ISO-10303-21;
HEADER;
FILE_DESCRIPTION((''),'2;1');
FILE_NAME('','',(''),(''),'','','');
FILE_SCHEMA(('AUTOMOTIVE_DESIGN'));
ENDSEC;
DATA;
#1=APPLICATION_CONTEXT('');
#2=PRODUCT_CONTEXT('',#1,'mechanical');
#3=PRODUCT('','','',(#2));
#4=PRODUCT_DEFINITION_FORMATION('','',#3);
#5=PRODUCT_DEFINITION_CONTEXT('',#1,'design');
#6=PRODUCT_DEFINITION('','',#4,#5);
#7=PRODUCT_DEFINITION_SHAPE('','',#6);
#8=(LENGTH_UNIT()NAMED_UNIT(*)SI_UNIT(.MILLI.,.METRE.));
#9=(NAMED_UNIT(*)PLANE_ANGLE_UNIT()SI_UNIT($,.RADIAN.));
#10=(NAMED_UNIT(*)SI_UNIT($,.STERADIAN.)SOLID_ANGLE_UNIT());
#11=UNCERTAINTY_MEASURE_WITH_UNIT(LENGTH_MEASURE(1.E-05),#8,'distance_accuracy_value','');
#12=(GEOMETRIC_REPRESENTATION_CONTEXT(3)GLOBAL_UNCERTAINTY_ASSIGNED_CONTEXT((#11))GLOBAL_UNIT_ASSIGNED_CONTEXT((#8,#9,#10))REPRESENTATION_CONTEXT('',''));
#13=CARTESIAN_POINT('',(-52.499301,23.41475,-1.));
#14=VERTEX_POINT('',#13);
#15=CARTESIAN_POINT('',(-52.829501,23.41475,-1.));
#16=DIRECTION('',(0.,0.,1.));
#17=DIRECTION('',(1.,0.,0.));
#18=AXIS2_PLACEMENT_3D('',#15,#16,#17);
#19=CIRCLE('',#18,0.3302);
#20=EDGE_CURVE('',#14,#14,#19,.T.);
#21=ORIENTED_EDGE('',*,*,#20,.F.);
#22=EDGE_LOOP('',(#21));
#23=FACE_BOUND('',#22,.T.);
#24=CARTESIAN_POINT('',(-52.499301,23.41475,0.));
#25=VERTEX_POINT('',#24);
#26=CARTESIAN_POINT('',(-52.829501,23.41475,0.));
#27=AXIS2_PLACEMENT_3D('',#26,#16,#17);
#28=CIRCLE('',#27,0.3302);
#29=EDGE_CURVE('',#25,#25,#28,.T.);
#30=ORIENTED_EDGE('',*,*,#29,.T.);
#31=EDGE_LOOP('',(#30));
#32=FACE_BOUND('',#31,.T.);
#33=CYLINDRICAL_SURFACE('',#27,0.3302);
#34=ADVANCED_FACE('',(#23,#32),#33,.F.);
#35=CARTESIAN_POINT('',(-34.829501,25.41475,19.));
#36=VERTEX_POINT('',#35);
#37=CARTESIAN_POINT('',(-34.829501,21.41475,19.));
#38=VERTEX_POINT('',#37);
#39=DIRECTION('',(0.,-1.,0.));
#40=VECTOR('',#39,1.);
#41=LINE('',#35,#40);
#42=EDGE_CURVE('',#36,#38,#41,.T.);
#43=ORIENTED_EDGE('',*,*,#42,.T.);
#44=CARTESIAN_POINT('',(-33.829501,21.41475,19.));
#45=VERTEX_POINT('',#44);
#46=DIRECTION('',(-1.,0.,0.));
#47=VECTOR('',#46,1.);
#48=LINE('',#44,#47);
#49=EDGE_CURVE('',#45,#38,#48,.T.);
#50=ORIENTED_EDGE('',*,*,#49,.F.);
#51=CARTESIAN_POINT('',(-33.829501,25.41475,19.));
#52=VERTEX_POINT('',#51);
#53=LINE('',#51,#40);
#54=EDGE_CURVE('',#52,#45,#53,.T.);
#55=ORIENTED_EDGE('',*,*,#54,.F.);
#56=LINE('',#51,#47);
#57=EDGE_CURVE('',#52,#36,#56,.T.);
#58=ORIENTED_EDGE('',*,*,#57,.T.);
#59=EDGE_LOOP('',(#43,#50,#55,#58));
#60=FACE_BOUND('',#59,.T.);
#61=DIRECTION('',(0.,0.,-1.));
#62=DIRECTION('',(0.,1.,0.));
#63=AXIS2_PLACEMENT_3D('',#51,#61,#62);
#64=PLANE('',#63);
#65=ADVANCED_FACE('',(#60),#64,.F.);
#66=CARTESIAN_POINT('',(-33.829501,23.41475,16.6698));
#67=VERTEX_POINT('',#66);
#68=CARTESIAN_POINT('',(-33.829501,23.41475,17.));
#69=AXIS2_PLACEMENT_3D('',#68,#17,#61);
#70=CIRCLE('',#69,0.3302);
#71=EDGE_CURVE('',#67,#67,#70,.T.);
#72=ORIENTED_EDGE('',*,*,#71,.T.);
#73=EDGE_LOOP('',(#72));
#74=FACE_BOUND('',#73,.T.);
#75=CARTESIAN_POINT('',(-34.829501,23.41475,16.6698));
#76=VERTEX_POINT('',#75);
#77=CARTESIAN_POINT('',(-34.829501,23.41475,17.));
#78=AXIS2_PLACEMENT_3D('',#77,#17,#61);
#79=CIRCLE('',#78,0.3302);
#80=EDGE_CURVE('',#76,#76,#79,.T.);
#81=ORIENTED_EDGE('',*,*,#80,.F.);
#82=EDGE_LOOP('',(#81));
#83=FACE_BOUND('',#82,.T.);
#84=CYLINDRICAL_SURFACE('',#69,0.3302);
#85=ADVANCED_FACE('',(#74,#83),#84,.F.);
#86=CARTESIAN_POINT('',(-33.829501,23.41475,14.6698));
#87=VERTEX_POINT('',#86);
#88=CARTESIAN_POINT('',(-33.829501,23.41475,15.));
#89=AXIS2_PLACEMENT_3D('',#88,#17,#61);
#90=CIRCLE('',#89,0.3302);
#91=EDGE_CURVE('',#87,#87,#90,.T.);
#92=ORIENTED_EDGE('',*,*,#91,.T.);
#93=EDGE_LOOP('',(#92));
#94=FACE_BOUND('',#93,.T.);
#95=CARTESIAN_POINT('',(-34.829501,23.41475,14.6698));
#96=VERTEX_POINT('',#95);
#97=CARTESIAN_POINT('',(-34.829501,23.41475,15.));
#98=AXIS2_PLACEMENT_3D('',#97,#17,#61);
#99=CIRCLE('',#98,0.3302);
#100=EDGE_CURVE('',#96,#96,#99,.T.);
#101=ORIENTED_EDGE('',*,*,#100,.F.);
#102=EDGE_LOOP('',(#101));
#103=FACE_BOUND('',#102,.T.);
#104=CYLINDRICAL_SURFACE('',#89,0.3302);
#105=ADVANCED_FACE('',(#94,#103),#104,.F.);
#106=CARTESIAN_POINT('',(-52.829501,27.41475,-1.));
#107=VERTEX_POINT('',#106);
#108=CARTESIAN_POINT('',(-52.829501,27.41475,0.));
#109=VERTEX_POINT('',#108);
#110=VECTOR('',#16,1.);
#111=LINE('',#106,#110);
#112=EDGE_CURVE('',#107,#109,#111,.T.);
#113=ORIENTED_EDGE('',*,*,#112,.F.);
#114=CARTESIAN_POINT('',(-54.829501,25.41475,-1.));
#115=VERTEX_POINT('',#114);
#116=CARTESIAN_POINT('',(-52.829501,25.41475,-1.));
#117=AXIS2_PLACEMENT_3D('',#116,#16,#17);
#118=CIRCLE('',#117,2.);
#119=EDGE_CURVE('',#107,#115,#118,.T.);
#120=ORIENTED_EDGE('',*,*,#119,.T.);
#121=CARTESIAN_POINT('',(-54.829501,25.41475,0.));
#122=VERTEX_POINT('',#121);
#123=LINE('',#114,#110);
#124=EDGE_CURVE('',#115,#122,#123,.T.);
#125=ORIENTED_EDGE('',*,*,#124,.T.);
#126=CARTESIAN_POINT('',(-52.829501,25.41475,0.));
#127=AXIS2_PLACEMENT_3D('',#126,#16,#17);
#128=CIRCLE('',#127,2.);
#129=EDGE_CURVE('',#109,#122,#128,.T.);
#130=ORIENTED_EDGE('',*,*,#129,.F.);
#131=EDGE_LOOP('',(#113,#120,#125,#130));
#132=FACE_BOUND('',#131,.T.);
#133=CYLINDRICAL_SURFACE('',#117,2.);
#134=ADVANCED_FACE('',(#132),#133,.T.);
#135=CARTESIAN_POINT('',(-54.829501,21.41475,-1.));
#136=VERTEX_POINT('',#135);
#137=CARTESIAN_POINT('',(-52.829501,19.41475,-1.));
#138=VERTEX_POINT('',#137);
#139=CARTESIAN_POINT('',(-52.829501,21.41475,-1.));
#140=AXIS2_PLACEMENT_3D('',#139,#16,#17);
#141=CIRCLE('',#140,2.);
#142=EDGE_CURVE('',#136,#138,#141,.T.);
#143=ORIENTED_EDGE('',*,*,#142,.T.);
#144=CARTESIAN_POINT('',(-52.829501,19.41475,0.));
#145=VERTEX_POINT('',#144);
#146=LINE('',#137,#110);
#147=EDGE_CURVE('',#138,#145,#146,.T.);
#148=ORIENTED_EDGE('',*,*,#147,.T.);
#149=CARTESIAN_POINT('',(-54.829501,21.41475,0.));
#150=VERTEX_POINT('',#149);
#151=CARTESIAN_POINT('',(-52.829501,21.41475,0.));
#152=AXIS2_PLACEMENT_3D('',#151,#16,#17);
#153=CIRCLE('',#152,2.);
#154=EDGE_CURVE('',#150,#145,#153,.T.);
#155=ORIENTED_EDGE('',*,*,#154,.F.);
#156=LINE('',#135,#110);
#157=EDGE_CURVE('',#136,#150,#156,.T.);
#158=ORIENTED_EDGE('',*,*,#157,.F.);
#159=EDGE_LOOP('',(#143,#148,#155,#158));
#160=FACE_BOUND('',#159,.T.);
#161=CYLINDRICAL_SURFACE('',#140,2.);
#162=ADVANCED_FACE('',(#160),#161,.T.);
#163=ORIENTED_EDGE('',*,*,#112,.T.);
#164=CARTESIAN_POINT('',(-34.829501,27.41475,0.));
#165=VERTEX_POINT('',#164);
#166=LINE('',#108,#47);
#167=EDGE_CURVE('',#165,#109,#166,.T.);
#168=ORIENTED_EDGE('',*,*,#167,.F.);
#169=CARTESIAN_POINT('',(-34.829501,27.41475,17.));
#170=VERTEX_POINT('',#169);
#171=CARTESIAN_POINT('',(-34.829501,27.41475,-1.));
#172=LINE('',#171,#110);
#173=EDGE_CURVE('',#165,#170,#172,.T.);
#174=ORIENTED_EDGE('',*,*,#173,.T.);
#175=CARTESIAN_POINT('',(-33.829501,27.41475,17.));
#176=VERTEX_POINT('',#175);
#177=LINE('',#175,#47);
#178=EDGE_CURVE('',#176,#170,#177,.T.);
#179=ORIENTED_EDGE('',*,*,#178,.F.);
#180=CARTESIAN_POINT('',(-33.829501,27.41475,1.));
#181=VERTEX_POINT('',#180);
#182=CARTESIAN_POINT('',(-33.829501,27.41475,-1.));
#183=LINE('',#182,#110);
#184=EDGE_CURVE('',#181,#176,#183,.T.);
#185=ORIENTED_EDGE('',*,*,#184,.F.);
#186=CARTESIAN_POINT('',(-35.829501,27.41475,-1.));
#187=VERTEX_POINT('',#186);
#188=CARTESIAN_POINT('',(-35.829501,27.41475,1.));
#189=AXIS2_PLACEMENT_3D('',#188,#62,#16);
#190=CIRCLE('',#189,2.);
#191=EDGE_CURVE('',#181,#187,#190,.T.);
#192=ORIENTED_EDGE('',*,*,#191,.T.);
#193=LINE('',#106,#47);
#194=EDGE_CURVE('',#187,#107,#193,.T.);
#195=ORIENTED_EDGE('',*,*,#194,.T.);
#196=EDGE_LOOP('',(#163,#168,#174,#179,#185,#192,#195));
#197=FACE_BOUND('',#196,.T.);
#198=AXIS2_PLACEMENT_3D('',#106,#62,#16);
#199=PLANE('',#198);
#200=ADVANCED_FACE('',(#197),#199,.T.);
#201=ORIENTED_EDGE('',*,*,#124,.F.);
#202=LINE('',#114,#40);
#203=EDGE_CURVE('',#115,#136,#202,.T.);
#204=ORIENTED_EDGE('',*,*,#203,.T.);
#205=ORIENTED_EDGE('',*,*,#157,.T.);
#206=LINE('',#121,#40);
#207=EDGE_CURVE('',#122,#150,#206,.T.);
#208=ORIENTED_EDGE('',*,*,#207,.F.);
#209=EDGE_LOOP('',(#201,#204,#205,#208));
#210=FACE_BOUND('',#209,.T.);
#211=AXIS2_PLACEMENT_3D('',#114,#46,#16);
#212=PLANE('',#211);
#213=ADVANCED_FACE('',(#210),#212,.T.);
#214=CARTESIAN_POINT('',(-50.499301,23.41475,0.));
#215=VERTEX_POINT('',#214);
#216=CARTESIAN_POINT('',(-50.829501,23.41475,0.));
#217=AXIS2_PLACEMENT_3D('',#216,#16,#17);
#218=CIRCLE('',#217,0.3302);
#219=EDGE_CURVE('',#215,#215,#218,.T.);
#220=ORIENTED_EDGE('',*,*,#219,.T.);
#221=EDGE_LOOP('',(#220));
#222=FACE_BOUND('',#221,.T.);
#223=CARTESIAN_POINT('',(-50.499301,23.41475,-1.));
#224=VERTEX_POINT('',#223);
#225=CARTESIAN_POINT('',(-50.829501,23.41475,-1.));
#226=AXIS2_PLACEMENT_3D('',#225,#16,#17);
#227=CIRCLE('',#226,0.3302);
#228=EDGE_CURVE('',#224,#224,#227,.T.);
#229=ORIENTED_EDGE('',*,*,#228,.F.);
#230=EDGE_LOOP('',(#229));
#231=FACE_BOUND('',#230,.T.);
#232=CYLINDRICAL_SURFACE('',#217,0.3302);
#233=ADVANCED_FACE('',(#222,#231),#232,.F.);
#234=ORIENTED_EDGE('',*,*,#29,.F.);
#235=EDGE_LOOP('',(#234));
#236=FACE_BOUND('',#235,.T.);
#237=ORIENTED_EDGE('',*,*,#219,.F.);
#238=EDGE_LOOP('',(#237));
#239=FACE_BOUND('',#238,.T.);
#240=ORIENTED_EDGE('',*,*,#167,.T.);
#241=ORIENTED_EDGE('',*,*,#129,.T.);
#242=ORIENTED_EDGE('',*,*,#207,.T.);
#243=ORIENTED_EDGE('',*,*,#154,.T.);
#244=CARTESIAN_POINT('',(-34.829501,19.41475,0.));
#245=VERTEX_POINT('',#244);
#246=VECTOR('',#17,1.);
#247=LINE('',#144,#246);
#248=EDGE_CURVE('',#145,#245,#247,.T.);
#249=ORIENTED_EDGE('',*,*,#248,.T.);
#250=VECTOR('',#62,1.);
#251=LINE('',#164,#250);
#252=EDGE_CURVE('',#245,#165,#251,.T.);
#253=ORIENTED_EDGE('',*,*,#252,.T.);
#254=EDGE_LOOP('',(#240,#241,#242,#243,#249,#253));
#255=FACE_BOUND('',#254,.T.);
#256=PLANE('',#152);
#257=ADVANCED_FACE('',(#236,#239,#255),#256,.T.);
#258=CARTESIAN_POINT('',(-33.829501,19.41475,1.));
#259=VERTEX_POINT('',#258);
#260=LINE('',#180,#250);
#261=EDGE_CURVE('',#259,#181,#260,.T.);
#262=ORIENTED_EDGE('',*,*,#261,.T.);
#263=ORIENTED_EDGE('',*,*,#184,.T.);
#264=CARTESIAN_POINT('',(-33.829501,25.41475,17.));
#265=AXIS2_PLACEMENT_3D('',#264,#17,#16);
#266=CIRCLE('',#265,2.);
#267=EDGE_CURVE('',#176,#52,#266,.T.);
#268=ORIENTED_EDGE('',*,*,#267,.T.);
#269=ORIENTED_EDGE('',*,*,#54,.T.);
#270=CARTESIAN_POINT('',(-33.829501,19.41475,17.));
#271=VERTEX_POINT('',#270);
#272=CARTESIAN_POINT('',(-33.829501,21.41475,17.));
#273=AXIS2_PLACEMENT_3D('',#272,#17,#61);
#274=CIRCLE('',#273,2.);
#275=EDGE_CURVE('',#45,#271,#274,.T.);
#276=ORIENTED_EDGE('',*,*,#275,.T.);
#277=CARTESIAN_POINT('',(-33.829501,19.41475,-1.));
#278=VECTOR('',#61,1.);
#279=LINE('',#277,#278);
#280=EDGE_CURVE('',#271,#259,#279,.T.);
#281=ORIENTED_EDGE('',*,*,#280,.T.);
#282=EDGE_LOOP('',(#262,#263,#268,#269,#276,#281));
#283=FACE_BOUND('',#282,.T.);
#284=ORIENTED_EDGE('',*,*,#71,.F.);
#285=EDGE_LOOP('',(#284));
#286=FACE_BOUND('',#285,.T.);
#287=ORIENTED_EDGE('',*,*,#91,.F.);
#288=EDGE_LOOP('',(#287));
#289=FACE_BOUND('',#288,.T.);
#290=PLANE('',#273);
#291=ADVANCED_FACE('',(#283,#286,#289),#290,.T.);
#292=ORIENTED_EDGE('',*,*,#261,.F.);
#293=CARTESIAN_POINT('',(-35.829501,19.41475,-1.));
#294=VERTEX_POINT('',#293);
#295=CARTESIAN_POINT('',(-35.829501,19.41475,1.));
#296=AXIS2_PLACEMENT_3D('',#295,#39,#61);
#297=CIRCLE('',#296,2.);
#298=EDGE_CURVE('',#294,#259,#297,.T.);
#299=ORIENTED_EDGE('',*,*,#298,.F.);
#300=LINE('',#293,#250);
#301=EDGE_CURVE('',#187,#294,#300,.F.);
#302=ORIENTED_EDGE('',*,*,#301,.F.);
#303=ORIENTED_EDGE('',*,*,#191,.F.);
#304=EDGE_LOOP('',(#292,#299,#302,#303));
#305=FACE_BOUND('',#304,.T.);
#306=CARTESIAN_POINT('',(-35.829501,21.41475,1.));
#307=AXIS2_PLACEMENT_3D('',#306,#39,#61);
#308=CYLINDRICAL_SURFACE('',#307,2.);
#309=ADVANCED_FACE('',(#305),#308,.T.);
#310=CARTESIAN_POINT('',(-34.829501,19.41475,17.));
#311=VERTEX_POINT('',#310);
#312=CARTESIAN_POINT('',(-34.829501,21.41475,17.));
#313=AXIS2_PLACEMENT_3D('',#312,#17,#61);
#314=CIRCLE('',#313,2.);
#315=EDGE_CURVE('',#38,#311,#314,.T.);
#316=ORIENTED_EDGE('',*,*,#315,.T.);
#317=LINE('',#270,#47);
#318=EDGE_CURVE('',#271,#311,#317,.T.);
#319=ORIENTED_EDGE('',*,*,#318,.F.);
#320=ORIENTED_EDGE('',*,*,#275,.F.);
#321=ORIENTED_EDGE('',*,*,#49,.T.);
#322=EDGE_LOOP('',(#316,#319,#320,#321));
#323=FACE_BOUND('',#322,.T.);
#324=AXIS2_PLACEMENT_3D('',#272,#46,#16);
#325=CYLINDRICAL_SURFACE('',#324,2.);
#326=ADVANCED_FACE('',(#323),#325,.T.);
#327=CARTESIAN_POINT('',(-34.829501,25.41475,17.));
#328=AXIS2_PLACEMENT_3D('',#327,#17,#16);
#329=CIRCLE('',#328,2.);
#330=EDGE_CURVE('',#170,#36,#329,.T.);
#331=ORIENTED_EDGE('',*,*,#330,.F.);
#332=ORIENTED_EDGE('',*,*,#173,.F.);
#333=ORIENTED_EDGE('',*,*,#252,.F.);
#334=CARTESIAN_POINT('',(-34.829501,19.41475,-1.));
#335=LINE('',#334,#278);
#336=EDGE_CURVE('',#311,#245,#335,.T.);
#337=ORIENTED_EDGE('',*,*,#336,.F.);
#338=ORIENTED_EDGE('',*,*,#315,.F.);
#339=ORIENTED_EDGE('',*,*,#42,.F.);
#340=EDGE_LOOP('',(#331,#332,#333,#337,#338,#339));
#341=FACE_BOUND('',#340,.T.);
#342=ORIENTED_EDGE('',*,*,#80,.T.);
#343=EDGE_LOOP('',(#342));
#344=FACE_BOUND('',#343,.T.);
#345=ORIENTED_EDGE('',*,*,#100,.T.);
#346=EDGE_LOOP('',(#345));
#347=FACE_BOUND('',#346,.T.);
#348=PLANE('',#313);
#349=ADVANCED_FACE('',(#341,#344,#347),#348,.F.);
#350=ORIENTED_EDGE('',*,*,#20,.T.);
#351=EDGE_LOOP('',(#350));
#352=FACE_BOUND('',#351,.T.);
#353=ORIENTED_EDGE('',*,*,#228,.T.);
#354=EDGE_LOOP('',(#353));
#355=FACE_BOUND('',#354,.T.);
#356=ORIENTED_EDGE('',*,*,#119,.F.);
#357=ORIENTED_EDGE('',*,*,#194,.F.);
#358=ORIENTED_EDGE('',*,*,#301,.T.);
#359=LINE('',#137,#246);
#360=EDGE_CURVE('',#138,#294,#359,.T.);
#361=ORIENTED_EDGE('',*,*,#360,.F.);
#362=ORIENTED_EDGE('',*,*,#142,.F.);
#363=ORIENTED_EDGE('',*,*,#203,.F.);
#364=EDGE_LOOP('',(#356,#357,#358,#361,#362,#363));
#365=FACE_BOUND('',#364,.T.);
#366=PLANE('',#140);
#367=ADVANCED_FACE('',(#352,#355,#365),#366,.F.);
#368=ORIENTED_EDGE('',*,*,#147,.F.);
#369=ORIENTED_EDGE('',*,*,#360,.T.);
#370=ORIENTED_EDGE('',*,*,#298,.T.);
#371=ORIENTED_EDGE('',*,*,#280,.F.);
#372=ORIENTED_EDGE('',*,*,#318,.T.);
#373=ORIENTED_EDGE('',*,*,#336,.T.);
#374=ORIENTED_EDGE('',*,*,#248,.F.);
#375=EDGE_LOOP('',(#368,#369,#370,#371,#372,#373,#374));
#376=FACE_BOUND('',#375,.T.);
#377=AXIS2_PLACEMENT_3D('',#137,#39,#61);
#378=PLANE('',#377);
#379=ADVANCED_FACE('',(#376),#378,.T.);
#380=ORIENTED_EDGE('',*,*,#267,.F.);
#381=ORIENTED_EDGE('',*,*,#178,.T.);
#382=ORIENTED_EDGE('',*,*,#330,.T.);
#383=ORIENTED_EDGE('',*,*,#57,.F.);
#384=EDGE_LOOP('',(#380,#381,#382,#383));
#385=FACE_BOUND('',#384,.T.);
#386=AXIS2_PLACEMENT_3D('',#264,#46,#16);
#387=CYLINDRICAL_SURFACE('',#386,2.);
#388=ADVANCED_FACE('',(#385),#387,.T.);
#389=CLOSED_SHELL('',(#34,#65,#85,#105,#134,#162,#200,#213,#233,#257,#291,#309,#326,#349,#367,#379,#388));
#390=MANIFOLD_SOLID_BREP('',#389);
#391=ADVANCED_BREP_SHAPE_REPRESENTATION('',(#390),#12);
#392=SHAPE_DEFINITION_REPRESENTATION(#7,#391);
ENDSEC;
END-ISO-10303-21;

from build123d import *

# Parameters (mm, degrees)
EXTRUSION1_DEPTH   = 1
EXTRUSION3_DEPTH   = 1
D_GAGEMENT_00001_D = 0.6604
D_GAGEMENT_00002_D = 0.6604
D_GAGEMENT_00004_D = 0.6604
D_GAGEMENT_00005_D = 0.6604
CONG_2_R           = 2


with BuildPart() as part:
    # Esquisse1 → Extrusion1 (new body)
    with BuildSketch(Plane.XY):
        with BuildLine():
            Line((-52.829500905, 27.414750453), (-34.829500905, 27.414750453))
            Line((-34.829500905, 27.414750453), (-34.829500905, 19.414750453))
            Line((-34.829500905, 19.414750453), (-52.829500905, 19.414750453))
            ThreePointArc((-52.829500905, 19.414750453), (-54.243714467, 20.00053689), (-54.829500905, 21.414750453))
            Line((-54.829500905, 21.414750453), (-54.829500905, 25.414750453))
            ThreePointArc((-54.829500905, 25.414750453), (-54.243714467, 26.828964015), (-52.829500905, 27.414750453))
        make_face()
    extrude(amount=-EXTRUSION1_DEPTH)

    # Esquisse4 → Extrusion3 (add)
    with BuildSketch(Plane(origin=(-34.829500905, 0, 0), x_dir=(0, 0, -1), z_dir=(1, 0, 0))):
        with BuildLine():
            Line((1, 27.414750453), (-17, 27.414750453))
            ThreePointArc((-17, 27.414750453), (-18.414213562, 26.828964015), (-19, 25.414750453))
            Line((-19, 25.414750453), (-19, 21.414750453))
            ThreePointArc((-19, 21.414750453), (-18.414213562, 20.00053689), (-17, 19.414750453))
            Line((-17, 19.414750453), (1, 19.414750453))
            Line((1, 19.414750453), (1, 27.414750453))
        make_face()
    extrude(amount=EXTRUSION3_DEPTH)

    # Dégagement #00001 (through all)
    with Locations(Plane(origin=(-52.829500905, 23.414750453, 0), x_dir=(1, 0, 0), z_dir=(0, 0, 1))):
        with Locations((0, 0)):
            Hole(D_GAGEMENT_00001_D / 2)

    # Dégagement #00002 (through all)
    with Locations(Plane(origin=(-50.829500905, 23.414750453, 0), x_dir=(1, 0, 0), z_dir=(0, 0, 1))):
        with Locations((0, 0)):
            Hole(D_GAGEMENT_00002_D / 2)

    # Dégagement #00004 (through all)
    with Locations(Plane(origin=(-33.829500905, 23.414750453, 17), x_dir=(0, 0, 1), z_dir=(1, 0, 0))):
        with Locations((0, 0)):
            Hole(D_GAGEMENT_00004_D / 2)

    # Dégagement #00005 (through all)
    with Locations(Plane(origin=(-33.829500905, 23.414750453, 15), x_dir=(0, 0, 1), z_dir=(1, 0, 0))):
        with Locations((0, 0)):
            Hole(D_GAGEMENT_00005_D / 2)

    # Congé2
    cong_2_edges = [part.edges().sort_by_distance(p)[0] for p in [
        (-33.829500905, 23.414750453, -1),
    ]]
    fillet(cong_2_edges, radius=CONG_2_R)


solid = part.part
